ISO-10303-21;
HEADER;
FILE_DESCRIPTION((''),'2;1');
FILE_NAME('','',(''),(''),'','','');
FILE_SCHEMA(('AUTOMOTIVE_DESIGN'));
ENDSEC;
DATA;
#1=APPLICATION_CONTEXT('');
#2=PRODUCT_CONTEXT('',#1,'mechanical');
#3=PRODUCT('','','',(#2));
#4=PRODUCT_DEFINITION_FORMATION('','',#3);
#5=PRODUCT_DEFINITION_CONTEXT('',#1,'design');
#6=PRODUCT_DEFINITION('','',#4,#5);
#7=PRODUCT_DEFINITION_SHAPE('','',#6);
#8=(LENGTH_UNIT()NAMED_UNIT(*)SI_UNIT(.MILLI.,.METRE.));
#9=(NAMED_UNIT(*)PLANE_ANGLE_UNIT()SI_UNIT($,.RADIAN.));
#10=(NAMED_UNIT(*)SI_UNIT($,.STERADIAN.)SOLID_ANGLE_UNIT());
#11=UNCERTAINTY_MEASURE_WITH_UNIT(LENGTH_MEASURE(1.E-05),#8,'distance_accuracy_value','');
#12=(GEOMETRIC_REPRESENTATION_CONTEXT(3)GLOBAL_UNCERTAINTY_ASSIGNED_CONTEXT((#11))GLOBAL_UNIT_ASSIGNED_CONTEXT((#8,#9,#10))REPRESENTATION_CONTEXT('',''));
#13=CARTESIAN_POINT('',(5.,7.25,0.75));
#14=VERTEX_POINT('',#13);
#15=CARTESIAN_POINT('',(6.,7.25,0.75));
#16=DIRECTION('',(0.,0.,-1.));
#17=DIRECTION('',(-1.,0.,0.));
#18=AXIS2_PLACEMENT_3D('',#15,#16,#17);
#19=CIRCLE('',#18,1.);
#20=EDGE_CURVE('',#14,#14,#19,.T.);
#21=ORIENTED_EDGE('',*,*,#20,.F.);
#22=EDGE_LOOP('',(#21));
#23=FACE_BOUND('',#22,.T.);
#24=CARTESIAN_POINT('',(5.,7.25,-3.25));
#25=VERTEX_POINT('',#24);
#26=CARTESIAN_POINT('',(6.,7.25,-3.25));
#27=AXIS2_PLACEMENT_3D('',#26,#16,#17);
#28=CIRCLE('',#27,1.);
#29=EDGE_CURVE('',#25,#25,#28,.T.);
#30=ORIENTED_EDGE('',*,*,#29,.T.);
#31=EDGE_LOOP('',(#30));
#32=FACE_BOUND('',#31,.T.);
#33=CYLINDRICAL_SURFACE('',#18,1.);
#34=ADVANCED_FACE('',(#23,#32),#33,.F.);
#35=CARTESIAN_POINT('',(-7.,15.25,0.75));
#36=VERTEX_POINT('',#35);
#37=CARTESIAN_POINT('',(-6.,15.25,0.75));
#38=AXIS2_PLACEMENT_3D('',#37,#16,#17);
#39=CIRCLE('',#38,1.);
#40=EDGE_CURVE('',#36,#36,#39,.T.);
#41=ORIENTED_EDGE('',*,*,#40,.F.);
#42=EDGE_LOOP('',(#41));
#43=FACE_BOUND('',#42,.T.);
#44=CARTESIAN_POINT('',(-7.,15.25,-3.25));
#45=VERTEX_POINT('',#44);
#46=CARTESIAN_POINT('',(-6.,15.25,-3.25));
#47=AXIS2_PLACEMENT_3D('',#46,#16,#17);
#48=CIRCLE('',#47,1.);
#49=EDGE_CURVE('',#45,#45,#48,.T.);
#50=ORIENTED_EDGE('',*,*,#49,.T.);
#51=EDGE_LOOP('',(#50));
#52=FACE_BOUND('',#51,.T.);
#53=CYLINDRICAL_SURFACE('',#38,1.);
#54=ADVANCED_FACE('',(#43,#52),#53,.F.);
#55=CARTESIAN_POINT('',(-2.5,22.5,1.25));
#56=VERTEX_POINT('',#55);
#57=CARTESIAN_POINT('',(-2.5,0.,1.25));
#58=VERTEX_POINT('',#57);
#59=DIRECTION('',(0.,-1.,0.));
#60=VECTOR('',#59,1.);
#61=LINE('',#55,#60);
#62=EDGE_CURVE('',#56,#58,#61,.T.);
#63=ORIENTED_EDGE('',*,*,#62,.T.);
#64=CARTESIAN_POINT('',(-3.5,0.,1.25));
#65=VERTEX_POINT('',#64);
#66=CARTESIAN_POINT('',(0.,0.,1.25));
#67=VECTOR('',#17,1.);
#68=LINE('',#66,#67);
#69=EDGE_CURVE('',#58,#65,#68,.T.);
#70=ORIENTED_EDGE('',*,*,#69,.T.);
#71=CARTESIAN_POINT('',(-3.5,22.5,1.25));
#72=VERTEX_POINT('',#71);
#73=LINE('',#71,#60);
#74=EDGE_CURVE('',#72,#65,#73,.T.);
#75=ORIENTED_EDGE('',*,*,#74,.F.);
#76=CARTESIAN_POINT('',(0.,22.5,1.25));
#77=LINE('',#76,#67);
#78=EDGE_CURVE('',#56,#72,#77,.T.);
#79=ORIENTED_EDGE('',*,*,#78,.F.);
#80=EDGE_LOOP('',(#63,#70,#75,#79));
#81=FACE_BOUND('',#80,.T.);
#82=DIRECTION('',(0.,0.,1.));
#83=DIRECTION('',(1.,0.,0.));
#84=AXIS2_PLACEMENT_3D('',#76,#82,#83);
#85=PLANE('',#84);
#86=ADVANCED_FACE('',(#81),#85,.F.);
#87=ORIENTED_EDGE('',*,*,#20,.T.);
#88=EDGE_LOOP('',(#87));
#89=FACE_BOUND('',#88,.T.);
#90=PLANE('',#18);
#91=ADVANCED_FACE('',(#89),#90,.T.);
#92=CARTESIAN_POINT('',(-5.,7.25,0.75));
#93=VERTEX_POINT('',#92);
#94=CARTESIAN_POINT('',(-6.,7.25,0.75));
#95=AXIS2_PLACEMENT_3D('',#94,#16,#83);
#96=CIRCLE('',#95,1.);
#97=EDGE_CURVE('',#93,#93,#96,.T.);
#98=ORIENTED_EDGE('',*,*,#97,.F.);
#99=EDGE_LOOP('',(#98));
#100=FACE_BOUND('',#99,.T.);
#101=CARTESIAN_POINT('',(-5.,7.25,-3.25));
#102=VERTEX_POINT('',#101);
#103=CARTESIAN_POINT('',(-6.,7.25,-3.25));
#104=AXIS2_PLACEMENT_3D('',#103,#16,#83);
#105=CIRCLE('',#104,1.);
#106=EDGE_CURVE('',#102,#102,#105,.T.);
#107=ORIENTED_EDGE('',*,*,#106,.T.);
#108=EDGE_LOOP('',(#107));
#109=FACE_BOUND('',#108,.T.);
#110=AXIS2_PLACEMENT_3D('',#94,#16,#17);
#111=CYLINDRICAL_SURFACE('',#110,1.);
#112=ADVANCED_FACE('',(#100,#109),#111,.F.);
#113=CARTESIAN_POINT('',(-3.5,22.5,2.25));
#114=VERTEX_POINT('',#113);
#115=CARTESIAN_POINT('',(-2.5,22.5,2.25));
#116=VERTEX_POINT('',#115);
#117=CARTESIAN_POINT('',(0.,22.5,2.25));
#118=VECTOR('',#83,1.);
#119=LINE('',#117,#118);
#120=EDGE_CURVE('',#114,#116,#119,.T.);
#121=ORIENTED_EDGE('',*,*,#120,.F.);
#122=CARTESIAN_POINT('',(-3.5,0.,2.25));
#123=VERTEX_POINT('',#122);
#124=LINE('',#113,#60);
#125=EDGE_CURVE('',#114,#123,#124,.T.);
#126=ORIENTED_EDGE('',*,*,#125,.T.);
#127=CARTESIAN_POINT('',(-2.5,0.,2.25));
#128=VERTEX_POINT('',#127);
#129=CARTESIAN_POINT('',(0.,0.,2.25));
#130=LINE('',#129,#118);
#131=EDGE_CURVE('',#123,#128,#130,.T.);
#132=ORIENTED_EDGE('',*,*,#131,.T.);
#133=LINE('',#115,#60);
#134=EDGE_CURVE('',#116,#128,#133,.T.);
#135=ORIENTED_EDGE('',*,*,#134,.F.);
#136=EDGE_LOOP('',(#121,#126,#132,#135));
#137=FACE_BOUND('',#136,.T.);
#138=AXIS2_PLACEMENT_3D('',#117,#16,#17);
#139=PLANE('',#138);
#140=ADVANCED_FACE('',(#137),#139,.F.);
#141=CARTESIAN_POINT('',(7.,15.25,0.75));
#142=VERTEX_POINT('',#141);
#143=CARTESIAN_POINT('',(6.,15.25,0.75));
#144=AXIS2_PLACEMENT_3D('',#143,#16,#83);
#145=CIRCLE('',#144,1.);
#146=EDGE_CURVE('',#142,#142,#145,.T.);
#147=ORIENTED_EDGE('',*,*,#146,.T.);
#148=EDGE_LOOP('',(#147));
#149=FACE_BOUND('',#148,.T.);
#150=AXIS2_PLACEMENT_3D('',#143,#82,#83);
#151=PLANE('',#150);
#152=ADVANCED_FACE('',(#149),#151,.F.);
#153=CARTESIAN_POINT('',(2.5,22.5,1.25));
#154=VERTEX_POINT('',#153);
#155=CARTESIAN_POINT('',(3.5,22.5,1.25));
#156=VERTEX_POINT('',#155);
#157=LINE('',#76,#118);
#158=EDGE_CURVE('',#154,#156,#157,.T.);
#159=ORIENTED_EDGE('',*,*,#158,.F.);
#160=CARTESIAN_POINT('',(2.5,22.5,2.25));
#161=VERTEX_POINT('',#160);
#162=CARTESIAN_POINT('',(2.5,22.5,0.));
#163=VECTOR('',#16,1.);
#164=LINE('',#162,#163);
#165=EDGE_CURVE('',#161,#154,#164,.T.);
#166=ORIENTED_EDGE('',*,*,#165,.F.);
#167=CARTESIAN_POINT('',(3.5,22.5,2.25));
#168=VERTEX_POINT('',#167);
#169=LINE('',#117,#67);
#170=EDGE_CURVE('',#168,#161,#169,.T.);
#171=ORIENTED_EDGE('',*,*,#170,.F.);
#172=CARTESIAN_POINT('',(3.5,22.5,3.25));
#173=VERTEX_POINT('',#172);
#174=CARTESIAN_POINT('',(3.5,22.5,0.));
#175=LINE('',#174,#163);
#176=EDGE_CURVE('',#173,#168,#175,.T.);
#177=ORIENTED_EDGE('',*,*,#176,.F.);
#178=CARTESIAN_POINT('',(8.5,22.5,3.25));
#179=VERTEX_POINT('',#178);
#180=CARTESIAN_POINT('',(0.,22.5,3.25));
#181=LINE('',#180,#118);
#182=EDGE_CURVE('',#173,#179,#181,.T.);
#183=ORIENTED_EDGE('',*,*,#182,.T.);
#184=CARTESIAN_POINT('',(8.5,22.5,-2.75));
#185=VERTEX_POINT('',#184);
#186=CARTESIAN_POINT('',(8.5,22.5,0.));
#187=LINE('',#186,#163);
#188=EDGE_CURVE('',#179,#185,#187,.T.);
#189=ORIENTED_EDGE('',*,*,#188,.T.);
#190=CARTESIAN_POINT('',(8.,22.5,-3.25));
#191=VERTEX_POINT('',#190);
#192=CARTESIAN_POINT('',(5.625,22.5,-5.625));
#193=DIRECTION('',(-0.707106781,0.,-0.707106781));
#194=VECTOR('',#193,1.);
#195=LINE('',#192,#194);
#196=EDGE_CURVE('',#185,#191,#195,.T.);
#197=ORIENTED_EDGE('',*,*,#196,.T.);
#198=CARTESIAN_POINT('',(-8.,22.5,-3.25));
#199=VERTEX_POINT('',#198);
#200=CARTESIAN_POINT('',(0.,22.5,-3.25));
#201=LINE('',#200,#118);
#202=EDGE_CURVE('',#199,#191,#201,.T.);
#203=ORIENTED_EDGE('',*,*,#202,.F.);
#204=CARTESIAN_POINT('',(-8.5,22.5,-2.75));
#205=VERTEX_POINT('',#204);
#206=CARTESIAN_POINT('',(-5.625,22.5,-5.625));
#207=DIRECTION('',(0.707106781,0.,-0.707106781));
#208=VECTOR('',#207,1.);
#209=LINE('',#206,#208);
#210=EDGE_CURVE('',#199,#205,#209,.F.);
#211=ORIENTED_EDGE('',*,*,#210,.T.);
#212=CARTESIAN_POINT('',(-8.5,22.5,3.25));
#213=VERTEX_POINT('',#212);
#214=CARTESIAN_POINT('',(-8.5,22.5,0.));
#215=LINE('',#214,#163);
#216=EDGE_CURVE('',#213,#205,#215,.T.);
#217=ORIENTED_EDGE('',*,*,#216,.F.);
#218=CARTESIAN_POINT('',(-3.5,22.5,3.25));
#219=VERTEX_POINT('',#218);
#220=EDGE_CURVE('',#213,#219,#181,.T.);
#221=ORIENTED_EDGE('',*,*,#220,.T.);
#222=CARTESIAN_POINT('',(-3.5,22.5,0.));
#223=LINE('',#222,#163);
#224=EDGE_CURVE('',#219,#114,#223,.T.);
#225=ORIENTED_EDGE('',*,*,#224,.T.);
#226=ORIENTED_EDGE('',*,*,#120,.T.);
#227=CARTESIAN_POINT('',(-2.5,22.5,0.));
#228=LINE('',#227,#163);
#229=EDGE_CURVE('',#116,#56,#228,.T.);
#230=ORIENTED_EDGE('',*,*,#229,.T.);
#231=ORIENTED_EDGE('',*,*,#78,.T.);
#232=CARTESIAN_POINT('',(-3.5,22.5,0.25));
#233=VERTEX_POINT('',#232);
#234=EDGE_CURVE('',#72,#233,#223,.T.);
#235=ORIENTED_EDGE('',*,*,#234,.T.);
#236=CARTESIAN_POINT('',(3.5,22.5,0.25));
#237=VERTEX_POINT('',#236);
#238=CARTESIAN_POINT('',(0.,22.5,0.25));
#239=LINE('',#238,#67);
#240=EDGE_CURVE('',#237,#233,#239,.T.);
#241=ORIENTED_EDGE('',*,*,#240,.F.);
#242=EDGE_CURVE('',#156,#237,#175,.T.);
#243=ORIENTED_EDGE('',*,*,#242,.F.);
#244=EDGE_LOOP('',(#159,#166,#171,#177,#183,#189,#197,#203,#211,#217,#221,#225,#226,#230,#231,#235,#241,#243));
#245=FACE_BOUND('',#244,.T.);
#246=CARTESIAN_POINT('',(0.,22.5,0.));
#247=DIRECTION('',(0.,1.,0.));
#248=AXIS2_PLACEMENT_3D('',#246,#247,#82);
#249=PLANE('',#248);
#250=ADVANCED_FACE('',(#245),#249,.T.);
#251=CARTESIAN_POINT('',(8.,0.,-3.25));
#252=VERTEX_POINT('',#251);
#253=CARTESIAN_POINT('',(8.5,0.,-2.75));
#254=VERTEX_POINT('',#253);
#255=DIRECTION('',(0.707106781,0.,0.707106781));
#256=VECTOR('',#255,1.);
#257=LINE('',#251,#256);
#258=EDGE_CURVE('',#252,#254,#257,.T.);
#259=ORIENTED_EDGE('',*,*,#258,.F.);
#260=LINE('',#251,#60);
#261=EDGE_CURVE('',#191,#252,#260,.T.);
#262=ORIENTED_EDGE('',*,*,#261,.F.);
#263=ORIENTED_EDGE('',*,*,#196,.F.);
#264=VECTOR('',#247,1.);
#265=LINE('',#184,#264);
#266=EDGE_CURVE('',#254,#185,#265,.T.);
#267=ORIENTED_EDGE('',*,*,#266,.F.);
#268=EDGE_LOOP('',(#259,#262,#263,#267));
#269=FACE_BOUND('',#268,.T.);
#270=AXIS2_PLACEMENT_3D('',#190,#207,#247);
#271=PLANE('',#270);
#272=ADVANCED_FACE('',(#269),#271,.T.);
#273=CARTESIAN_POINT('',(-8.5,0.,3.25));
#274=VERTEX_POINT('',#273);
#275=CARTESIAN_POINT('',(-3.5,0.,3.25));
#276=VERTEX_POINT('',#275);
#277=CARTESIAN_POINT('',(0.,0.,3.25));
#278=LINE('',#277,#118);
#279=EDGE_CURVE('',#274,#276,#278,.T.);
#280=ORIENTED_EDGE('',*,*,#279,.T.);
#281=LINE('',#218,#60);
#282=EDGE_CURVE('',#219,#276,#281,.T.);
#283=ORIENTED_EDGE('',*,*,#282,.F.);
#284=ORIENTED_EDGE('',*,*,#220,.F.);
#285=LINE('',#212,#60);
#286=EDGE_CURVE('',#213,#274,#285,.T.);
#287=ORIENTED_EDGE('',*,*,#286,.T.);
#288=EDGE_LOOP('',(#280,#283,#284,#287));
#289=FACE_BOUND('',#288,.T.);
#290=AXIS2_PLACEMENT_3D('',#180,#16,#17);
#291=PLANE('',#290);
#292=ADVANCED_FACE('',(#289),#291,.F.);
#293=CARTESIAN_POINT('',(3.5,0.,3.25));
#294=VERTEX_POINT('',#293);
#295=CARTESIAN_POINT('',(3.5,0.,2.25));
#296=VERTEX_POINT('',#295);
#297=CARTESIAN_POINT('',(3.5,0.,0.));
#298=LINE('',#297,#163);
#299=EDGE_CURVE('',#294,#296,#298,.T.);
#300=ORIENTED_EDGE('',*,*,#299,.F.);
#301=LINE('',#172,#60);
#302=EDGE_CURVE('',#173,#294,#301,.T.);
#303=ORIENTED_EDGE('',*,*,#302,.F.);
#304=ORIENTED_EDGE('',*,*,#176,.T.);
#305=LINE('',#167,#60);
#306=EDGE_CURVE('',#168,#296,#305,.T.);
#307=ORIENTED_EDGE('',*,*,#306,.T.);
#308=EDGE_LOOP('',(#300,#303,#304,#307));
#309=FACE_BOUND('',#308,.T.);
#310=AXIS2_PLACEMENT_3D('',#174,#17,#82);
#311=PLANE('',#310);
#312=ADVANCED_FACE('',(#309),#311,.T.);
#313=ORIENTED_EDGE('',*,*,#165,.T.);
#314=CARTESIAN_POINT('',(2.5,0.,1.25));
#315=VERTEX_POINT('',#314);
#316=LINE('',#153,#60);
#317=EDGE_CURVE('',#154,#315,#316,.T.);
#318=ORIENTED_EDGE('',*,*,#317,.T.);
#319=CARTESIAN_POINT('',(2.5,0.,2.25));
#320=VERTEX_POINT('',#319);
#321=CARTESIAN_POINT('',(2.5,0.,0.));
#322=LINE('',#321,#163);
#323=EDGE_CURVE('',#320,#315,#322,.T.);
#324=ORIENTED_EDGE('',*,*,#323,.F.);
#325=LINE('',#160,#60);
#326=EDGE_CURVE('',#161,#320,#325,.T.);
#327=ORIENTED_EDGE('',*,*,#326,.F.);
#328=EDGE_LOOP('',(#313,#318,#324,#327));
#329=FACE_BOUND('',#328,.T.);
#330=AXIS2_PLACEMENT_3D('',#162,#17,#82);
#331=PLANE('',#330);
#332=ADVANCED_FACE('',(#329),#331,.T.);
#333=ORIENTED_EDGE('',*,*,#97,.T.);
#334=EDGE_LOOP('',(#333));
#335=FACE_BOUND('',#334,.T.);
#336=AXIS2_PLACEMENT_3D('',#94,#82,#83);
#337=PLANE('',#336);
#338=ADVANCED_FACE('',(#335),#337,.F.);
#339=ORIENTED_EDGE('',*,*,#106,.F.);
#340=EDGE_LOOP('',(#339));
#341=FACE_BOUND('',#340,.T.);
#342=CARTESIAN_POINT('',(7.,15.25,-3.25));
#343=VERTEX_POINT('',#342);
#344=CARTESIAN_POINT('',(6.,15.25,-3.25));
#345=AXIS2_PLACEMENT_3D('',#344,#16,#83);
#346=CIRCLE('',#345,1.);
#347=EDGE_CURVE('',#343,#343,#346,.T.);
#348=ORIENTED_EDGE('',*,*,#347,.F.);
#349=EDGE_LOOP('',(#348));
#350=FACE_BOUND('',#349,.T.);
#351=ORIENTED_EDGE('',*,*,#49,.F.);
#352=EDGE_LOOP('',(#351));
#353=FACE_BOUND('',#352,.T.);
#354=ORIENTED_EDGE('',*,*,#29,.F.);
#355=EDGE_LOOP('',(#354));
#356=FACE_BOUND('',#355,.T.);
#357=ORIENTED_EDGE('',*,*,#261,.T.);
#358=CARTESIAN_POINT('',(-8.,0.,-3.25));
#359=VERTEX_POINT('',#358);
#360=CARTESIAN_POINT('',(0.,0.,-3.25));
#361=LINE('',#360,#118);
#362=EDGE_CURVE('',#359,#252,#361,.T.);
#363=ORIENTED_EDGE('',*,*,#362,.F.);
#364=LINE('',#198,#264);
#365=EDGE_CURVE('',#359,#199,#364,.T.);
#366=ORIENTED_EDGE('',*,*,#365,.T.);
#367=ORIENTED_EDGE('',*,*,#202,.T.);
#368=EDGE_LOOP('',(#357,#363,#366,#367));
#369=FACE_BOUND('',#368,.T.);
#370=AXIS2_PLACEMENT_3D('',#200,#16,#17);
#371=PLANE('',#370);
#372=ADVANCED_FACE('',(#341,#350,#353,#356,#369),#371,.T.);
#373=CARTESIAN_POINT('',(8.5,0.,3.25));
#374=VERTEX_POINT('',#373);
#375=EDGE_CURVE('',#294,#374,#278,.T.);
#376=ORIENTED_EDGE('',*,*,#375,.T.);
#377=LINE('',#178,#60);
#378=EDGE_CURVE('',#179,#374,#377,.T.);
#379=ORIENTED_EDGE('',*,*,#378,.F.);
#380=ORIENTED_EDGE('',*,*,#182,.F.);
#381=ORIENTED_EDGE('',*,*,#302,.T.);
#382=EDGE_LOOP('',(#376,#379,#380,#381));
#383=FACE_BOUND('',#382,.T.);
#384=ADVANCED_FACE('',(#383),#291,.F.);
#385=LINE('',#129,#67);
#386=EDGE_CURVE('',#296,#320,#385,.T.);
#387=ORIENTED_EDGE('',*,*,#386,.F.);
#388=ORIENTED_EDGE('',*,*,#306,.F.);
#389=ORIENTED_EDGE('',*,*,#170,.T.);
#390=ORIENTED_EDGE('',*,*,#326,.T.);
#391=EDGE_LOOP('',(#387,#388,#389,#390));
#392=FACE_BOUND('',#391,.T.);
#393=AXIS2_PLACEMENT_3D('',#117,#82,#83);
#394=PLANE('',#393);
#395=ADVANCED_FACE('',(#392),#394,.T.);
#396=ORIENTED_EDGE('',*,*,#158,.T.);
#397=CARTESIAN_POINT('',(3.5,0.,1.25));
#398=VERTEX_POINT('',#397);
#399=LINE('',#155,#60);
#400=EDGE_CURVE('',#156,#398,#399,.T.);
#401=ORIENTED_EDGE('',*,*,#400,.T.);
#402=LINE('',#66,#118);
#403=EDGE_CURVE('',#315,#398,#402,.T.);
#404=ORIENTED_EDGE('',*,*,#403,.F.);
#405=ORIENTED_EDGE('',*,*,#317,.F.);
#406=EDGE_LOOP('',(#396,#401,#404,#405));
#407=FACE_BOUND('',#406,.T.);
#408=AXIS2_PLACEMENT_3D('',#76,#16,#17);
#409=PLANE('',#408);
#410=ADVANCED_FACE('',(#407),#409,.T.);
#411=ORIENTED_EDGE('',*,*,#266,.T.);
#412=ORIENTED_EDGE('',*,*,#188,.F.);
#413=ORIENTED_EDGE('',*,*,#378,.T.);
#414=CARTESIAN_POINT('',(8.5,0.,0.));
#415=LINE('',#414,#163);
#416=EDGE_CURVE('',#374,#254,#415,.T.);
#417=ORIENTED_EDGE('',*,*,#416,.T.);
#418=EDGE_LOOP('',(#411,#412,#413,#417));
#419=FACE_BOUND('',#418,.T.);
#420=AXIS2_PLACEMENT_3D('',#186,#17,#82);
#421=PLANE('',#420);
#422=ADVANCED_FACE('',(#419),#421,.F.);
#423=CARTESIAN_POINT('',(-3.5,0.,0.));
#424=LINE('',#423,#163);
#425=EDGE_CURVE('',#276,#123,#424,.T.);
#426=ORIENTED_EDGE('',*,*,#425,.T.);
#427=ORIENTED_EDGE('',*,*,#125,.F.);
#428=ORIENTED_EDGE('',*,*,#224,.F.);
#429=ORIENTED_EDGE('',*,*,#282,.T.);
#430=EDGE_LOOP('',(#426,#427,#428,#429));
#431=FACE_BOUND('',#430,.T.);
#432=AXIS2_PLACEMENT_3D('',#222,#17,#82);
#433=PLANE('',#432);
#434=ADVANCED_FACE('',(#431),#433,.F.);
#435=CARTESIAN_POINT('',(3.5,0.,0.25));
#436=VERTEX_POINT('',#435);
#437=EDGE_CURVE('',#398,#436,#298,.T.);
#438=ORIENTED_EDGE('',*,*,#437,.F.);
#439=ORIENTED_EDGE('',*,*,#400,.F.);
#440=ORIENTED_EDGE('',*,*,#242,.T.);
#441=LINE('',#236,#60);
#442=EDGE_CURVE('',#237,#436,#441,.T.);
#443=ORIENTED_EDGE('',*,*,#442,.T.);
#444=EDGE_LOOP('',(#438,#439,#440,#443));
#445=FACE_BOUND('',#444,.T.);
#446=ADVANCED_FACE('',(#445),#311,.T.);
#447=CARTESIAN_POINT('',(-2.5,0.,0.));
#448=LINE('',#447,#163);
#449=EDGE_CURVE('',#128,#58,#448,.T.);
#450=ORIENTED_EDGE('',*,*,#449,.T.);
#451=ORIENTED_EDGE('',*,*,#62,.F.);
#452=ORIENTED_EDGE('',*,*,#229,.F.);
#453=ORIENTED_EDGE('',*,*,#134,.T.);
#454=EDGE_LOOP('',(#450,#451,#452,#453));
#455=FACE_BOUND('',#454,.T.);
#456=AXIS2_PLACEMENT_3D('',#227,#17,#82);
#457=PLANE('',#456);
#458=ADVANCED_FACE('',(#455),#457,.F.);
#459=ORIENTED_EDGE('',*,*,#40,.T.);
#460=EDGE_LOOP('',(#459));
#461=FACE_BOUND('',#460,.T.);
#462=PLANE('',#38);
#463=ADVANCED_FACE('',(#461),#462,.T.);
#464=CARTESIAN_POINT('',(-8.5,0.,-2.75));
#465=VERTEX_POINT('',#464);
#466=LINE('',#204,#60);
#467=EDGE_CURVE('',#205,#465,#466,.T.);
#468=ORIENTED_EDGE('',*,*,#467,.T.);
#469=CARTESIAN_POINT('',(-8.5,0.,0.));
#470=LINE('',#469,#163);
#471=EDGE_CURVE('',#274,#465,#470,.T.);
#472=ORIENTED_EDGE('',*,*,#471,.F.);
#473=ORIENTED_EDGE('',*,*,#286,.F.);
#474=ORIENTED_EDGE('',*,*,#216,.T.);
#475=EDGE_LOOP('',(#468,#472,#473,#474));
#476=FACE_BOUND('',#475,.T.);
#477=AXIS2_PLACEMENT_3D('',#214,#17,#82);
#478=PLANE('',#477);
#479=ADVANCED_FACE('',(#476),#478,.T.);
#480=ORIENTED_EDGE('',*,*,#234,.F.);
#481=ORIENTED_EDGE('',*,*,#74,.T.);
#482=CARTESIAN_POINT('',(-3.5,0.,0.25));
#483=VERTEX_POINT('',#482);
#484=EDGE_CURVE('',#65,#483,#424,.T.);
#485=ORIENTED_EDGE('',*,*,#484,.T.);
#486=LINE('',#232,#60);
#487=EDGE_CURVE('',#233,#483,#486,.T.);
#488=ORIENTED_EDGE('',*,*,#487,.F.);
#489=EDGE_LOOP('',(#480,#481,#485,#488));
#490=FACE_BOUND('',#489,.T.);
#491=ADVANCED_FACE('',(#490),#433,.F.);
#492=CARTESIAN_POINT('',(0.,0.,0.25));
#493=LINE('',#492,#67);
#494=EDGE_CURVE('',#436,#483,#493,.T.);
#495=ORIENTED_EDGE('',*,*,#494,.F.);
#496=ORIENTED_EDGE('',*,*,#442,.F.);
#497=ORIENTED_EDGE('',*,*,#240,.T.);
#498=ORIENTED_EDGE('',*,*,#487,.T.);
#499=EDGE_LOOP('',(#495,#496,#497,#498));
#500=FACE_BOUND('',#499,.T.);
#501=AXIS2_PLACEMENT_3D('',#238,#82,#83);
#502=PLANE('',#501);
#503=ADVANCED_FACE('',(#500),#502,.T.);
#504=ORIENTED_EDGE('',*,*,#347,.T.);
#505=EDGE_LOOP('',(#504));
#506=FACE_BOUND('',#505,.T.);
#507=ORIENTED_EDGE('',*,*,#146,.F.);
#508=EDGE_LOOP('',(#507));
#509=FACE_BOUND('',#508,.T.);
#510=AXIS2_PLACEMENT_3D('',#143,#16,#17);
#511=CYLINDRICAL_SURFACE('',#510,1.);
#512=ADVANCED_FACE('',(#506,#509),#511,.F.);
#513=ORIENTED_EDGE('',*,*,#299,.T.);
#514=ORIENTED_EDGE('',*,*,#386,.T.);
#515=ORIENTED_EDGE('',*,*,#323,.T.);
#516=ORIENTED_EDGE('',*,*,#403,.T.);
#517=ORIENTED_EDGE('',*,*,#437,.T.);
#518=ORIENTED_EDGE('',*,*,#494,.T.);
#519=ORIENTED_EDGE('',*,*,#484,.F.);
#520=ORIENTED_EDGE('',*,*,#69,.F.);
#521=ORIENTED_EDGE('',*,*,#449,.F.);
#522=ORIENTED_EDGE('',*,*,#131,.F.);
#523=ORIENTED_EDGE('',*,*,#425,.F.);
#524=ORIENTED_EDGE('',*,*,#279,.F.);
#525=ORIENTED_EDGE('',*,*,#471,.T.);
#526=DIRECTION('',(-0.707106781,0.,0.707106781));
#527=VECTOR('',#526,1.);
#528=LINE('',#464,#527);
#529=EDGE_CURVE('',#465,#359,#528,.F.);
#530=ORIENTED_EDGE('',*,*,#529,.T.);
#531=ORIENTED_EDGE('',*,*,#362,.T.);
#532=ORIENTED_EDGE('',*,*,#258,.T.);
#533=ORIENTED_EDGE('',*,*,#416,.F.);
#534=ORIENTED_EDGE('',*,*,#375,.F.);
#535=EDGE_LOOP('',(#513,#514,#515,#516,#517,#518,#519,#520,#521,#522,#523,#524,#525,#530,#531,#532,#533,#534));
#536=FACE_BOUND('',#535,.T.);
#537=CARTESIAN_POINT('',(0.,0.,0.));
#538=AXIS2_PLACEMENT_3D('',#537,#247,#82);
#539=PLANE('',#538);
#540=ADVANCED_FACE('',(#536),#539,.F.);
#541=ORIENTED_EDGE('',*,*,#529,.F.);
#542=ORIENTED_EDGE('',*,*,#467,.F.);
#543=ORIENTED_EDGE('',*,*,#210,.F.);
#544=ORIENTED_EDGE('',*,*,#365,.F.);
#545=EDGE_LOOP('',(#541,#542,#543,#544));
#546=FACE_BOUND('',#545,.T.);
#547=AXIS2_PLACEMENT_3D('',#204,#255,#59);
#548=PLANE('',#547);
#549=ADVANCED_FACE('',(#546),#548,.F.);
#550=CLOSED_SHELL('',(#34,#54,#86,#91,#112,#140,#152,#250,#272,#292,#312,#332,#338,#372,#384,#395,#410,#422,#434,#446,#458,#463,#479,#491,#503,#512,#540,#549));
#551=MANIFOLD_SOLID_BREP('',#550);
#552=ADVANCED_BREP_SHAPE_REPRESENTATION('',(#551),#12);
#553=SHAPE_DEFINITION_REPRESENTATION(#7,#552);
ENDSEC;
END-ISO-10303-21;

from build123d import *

# Parameters (mm, degrees)
EXTRUDE_1_DEPTH     = 22.5
SKETCH_2_R          = 1
CUT_EXTRUDE_1_DEPTH = 4
CHAMFER_1_SIZE      = 0.5


with BuildPart() as part:
    # 草图1 → 凸台-拉伸1 (new body)
    with BuildSketch(Plane(origin=(0, 0, 0), x_dir=(1, 0, 0), z_dir=(0, 1, 0))):
        Polygon((-8.5, 3.25), (-8.5, -3.25), (-3.5, -3.25), (-3.5, -2.25), (-2.5, -2.25), (-2.5, -1.25), (-3.5, -1.25), (-3.5, -0.25), (3.5, -0.25), (3.5, -1.25), (2.5, -1.25), (2.5, -2.25), (3.5, -2.25), (3.5, -3.25), (8.5, -3.25), (8.5, 3.25), align=None)
    extrude(amount=EXTRUDE_1_DEPTH)

    # 草图2 → 切除-拉伸1 (cut)
    with BuildSketch(Plane(origin=(0, 0, -3.25), x_dir=(-1, 0, 0), z_dir=(0, 0, -1))):
        with Locations((6, 15.25)):
            Circle(SKETCH_2_R)
        with Locations(Location((6, 7.25, 0), (0, 0, 180))):
            Circle(SKETCH_2_R)
        with Locations((-6, 7.25)):
            Circle(SKETCH_2_R)
        with Locations(Location((-6, 15.25, 0), (0, 0, 180))):
            Circle(SKETCH_2_R)
    extrude(amount=-CUT_EXTRUDE_1_DEPTH, mode=Mode.SUBTRACT)

    # 倒角1
    chamfer_1_edges = [part.edges().sort_by_distance(p)[0] for p in [
        (-8.5, 11.25, -3.25),
        (8.5, 11.25, -3.25),
    ]]
    chamfer(chamfer_1_edges, length=CHAMFER_1_SIZE)


solid = part.part
